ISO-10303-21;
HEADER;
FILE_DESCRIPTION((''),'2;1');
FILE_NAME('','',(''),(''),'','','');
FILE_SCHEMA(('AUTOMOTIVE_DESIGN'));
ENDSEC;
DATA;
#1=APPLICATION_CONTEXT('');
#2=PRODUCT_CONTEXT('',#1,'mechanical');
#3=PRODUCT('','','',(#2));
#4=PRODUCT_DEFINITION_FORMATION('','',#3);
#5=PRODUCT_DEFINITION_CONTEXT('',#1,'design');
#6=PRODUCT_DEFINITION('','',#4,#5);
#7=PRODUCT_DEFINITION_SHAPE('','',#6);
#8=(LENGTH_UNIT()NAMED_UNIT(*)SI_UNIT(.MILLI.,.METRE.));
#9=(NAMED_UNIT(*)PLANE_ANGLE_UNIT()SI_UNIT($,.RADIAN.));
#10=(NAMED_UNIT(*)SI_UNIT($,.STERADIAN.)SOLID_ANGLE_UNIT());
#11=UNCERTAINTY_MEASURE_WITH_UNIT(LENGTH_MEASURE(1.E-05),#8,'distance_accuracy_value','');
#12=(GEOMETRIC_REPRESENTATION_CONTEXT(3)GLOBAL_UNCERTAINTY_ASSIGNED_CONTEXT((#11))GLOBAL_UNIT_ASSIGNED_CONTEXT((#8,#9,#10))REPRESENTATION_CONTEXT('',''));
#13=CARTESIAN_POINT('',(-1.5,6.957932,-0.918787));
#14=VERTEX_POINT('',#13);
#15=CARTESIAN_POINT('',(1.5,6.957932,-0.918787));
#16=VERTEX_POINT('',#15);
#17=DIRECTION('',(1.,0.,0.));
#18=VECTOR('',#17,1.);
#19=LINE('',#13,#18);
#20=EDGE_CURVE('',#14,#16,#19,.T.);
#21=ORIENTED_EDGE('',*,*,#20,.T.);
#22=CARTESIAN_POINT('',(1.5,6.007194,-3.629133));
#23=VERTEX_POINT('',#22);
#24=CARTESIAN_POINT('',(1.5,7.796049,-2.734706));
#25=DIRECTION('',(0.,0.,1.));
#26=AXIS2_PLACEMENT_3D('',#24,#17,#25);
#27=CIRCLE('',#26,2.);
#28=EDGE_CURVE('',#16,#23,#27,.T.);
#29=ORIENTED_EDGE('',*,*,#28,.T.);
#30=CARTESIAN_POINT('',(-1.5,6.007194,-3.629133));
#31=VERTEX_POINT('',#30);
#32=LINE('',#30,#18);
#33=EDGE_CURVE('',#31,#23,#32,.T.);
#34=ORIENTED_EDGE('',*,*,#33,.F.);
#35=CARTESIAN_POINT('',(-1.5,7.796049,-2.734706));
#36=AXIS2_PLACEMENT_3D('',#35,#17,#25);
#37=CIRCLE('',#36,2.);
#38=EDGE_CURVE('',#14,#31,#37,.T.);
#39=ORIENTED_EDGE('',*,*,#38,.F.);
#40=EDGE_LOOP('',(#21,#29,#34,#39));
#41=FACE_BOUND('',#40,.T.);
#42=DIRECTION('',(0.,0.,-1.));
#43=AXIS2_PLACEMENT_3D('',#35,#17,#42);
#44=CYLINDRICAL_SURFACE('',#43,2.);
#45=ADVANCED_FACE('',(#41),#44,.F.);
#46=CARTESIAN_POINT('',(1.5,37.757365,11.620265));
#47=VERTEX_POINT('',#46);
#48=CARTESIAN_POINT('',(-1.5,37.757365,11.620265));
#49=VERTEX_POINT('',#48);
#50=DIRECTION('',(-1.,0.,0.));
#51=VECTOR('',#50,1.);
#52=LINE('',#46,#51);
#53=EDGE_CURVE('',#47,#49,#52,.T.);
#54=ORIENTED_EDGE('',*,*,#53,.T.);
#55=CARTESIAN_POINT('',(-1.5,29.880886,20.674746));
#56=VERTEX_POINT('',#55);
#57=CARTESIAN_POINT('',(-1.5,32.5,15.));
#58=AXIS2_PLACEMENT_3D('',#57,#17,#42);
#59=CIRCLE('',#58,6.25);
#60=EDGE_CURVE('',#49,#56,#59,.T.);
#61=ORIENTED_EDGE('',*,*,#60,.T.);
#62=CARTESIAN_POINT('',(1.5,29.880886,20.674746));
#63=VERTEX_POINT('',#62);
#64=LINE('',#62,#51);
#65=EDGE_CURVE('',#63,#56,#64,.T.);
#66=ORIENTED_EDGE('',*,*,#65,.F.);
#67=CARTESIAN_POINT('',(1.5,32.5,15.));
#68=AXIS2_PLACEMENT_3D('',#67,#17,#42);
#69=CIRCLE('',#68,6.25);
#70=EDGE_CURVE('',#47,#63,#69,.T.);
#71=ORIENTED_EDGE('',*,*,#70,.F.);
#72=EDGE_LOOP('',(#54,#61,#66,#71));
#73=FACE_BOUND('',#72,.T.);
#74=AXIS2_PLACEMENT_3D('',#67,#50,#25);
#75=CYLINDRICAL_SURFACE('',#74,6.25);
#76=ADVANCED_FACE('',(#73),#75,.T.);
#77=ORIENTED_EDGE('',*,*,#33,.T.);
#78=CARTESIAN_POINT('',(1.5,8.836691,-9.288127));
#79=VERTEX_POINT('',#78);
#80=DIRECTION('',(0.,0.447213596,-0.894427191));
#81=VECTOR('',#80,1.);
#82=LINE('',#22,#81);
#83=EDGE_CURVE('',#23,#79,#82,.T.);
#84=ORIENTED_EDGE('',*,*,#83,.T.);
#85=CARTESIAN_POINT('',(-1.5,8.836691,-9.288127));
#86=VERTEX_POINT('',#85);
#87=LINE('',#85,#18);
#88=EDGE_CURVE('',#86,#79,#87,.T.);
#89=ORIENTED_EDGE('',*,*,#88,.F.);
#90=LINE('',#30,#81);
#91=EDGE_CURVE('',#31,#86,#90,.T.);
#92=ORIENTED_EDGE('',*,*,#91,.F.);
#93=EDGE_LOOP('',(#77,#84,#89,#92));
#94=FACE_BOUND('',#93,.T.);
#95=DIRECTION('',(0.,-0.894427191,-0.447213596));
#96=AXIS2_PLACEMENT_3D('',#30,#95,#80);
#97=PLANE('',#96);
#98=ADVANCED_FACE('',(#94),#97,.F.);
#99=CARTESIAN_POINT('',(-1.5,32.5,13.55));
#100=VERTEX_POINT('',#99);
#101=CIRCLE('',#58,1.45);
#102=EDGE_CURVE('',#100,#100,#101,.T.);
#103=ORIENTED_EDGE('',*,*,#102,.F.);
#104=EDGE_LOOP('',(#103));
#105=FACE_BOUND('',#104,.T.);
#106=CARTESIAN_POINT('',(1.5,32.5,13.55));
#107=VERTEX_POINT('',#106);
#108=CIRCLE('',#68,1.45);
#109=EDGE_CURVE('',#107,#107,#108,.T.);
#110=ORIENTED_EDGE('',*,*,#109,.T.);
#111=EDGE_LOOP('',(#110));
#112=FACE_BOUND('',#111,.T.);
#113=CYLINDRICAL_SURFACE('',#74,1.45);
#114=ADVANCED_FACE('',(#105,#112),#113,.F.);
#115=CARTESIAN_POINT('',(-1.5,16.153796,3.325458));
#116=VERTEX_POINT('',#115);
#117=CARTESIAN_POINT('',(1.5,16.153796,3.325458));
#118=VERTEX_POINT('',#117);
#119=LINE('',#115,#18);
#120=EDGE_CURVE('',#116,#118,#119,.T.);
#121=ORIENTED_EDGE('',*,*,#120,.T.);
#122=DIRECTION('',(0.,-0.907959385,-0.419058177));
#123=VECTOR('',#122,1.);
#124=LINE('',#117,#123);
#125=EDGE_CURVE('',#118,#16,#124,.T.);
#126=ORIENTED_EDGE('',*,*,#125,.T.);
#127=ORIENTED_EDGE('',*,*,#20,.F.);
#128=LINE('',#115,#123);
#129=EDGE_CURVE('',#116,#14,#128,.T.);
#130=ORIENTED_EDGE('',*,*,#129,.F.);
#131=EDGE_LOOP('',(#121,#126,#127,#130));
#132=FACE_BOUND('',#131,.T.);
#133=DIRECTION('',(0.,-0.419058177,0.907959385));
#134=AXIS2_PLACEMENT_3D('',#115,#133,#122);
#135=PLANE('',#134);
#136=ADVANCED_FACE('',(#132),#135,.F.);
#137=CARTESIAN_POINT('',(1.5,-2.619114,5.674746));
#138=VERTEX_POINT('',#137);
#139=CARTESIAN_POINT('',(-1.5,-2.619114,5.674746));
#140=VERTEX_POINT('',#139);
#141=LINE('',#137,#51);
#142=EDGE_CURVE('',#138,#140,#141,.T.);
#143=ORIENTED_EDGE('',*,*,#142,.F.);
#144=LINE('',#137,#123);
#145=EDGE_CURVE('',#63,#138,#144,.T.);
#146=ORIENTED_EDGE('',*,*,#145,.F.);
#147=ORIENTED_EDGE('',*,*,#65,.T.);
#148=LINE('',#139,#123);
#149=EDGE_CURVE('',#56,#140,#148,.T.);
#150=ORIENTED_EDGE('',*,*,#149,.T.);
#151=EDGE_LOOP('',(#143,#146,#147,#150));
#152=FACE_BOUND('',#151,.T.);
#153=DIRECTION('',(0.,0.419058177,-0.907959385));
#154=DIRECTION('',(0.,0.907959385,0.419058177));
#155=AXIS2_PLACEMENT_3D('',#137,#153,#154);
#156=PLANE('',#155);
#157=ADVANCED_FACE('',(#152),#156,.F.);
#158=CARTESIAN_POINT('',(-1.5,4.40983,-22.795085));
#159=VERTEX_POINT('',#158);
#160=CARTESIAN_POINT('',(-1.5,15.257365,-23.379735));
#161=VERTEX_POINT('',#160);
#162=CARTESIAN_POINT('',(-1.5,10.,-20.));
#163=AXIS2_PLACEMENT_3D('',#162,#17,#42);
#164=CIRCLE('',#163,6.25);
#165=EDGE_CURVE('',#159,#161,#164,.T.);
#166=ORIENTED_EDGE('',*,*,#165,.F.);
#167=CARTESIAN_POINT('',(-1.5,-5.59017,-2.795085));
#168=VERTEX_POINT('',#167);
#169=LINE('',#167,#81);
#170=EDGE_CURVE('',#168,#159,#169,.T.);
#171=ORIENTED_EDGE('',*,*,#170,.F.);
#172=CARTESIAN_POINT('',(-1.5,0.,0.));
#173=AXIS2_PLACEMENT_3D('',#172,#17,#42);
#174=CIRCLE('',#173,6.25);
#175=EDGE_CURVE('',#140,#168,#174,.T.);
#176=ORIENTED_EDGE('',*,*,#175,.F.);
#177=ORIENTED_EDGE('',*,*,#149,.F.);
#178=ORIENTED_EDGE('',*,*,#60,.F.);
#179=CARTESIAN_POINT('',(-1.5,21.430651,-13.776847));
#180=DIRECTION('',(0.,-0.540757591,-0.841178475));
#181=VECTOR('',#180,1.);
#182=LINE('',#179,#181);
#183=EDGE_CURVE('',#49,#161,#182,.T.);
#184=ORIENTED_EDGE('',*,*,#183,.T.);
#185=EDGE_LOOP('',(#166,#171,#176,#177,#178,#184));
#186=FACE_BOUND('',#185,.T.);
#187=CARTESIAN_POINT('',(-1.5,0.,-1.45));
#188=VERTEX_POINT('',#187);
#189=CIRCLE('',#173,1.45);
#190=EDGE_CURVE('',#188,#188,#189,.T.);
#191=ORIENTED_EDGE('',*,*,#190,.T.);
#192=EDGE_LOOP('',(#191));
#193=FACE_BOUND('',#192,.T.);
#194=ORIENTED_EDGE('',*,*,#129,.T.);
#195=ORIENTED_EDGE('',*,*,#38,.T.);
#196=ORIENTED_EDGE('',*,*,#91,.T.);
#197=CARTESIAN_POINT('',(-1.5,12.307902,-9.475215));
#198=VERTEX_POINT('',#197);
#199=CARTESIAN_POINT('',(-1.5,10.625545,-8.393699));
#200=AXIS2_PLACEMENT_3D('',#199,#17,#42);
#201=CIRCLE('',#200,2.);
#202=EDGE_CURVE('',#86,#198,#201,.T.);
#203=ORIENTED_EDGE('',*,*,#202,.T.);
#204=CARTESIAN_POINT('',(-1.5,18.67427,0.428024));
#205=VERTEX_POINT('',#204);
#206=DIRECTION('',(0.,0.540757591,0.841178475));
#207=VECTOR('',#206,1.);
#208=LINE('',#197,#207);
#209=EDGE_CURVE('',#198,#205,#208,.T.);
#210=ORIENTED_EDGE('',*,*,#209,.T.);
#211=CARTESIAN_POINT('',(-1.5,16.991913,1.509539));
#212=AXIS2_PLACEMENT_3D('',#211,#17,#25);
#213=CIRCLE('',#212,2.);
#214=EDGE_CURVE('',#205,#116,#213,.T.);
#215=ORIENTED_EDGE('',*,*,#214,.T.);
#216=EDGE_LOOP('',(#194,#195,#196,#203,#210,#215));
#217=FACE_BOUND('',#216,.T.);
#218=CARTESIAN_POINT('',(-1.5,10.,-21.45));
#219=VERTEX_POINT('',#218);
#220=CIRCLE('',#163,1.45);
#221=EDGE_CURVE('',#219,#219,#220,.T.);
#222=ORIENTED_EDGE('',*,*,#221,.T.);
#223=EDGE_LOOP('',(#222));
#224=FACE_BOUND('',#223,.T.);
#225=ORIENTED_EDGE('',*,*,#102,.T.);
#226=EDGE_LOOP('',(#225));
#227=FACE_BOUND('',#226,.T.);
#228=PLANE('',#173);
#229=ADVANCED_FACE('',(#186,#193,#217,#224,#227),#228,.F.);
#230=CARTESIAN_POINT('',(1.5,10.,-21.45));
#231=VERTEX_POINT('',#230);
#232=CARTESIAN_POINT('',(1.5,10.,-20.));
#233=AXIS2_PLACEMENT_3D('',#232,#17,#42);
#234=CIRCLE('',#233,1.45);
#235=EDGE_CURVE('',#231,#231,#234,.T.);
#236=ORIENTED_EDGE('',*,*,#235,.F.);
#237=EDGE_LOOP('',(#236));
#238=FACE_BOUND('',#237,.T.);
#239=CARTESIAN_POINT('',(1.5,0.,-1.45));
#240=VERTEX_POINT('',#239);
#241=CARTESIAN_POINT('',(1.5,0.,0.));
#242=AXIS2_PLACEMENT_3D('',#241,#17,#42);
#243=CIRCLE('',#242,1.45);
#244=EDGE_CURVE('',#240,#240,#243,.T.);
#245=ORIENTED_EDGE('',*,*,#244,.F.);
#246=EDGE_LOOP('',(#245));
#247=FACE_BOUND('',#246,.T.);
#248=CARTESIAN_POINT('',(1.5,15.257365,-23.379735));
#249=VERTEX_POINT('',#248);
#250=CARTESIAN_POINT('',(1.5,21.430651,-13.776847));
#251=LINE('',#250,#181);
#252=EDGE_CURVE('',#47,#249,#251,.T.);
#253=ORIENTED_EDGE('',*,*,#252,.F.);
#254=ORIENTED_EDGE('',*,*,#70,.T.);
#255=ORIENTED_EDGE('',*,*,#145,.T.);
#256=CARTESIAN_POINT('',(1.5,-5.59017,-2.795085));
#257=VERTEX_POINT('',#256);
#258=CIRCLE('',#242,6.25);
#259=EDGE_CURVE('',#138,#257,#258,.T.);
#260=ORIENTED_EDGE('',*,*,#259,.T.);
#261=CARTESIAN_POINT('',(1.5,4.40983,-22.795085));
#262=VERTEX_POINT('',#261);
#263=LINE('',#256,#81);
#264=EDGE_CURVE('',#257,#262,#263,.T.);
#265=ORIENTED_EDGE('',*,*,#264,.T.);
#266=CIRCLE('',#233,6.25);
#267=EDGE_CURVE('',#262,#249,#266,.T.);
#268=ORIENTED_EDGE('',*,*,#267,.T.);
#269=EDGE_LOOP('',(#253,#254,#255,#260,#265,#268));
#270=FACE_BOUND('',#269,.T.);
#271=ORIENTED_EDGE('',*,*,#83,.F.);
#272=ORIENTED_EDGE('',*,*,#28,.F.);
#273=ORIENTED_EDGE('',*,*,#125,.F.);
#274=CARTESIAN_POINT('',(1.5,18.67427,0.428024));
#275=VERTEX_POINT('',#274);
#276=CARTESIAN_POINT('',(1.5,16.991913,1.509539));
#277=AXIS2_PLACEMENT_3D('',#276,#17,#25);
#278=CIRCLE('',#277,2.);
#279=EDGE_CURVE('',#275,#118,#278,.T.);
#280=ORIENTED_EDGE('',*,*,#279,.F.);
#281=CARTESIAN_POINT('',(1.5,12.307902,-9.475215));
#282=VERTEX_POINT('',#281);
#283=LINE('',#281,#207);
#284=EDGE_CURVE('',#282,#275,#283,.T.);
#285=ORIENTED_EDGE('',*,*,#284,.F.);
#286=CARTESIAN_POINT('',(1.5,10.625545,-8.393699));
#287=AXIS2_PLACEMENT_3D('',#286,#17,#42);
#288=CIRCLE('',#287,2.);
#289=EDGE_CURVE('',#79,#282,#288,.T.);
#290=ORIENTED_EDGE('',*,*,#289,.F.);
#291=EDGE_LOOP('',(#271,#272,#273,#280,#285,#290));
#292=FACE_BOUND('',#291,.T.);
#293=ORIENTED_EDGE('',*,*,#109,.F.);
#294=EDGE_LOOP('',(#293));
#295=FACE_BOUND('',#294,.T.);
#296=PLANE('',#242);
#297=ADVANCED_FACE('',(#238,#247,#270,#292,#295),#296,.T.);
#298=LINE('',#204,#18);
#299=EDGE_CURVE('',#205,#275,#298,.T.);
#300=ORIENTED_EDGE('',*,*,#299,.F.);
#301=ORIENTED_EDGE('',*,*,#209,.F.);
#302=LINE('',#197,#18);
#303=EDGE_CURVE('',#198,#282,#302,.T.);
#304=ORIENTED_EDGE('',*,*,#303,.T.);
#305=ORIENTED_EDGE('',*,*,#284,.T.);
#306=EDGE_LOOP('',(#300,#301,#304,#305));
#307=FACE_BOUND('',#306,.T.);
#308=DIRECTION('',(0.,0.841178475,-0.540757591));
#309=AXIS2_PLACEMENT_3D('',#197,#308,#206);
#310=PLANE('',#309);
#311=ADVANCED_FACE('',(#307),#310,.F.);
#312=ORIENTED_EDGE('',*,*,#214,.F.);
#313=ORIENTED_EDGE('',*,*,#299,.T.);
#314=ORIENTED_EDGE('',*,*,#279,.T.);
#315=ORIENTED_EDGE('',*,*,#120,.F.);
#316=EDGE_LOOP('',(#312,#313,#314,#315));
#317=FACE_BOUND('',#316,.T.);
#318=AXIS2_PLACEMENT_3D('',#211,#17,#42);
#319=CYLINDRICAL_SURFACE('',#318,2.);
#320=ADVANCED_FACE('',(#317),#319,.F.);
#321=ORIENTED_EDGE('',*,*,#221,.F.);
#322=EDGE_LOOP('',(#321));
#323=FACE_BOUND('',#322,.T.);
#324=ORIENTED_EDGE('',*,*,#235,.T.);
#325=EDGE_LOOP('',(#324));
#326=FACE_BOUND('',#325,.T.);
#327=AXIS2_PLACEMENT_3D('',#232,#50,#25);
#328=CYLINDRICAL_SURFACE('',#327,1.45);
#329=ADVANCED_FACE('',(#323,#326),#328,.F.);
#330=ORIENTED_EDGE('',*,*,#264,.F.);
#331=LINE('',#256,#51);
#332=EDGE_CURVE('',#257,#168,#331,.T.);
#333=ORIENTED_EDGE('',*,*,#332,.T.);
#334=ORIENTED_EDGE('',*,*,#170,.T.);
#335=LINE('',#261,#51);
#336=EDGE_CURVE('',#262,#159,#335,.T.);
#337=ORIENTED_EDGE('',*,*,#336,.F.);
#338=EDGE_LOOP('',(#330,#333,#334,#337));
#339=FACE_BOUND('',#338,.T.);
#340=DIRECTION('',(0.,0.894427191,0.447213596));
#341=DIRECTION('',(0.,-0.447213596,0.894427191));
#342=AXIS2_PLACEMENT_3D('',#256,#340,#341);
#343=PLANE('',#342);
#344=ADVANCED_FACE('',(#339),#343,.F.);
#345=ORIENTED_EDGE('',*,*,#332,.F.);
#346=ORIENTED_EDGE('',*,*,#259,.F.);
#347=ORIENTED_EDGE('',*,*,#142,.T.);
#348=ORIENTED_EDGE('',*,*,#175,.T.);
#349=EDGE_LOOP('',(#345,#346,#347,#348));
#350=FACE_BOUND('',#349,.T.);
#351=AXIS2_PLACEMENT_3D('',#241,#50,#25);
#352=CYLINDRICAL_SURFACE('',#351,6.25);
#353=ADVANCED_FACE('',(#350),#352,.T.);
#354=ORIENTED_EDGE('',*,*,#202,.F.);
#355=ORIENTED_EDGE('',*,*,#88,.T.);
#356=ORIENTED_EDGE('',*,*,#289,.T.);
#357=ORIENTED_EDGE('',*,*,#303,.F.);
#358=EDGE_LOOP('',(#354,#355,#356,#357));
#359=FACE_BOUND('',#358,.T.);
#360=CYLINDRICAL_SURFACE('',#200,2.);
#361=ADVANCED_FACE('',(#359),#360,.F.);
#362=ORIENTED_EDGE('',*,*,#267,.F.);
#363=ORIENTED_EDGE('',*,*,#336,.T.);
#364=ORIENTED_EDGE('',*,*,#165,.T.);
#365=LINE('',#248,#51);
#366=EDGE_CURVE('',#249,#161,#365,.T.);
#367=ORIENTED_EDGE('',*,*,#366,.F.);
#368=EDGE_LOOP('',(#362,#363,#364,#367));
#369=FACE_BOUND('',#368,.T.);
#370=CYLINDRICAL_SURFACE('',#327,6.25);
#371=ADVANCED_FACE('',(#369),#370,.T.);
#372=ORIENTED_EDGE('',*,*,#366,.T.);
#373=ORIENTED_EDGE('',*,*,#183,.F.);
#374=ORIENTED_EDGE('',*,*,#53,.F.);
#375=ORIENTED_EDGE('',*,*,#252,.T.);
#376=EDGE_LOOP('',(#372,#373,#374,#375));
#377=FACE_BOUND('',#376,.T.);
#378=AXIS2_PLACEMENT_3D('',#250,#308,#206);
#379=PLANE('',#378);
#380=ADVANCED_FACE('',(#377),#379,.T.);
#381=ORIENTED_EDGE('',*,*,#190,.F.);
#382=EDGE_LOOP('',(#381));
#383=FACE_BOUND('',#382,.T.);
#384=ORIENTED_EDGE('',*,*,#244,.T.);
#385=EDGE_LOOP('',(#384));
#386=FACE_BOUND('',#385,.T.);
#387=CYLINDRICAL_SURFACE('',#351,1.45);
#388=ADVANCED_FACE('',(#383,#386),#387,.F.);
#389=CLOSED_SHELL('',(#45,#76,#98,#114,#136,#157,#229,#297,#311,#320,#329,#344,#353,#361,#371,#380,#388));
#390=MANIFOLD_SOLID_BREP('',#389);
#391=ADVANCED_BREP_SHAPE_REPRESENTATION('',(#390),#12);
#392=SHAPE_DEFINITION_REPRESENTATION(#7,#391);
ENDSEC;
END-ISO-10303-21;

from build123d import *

# Parameters (mm, degrees)
SKETCH1_R           = 6.25
SKETCH1_R_2         = 1.45
BOSS_EXTRUDE1_DEPTH = 1.5
CUT_EXTRUDE1_DEPTH  = 3


with BuildPart() as part:
    # Sketch1 → Boss-Extrude1 (new body, symmetric)
    with BuildSketch(Plane(origin=(0, 0, 0), x_dir=(0, 0, -1), z_dir=(1, 0, 0))):
        with Locations((20, 10.000000011)):
            Circle(SKETCH1_R)
        with Locations((20, 10.000000011)):
            Circle(SKETCH1_R_2, mode=Mode.SUBTRACT)
        with BuildLine():
            ThreePointArc((-8.75, 32.5), (-13.659228479, 26.395507251), (-20.674746153, 29.880886391))
            Line((-20.674746153, 29.880886391), (-5.674746153, -2.619113609))
            ThreePointArc((-5.674746153, -2.619113609), (-1.340771521, 6.104492749), (6.25, 0))
            ThreePointArc((6.25, 0), (5.316567553, -3.28581945), (2.795084974, -5.590169942))
            Line((2.795084974, -5.590169942), (22.795084974, 4.409830069))
            ThreePointArc((22.795084974, 4.409830069), (13.759058052, 10.336368263), (23.379734945, 15.257365483))
            Line((23.379734945, 15.257365483), (-11.620265055, 37.757365472))
            ThreePointArc((-11.620265055, 37.757365472), (-9.514298431, 35.494925425), (-8.75, 32.5))
        make_face()
        Circle(SKETCH1_R)
        Circle(SKETCH1_R_2, mode=Mode.SUBTRACT)
        with Locations((-15, 32.5)):
            Circle(SKETCH1_R)
        with Locations((-15, 32.5)):
            Circle(SKETCH1_R_2, mode=Mode.SUBTRACT)
    extrude(amount=BOSS_EXTRUDE1_DEPTH, both=True)

    # Sketch2 → Cut-Extrude1 (cut)
    with BuildSketch(Plane(origin=(1.5, 0, 0), x_dir=(0, 0, -1), z_dir=(1, 0, 0))):
        with BuildLine():
            Line((3.629133347, 6.007194134), (9.288126649, 8.836690789))
            ThreePointArc((9.288126649, 8.836690789), (10.390800881, 10.51790733), (9.47521464, 12.307902121))
            Line((9.47521464, 12.307902121), (-0.428023639, 18.674269583))
            ThreePointArc((-0.428023639, 18.674269583), (-2.822182558, 18.500874667), (-3.32545759, 16.153796277))
            Line((-3.32545759, 16.153796277), (0.918787386, 6.957932161))
            ThreePointArc((0.918787386, 6.957932161), (2.072692273, 5.908791877), (3.629133347, 6.007194134))
        make_face()
    extrude(amount=-CUT_EXTRUDE1_DEPTH, mode=Mode.SUBTRACT)


solid = part.part
